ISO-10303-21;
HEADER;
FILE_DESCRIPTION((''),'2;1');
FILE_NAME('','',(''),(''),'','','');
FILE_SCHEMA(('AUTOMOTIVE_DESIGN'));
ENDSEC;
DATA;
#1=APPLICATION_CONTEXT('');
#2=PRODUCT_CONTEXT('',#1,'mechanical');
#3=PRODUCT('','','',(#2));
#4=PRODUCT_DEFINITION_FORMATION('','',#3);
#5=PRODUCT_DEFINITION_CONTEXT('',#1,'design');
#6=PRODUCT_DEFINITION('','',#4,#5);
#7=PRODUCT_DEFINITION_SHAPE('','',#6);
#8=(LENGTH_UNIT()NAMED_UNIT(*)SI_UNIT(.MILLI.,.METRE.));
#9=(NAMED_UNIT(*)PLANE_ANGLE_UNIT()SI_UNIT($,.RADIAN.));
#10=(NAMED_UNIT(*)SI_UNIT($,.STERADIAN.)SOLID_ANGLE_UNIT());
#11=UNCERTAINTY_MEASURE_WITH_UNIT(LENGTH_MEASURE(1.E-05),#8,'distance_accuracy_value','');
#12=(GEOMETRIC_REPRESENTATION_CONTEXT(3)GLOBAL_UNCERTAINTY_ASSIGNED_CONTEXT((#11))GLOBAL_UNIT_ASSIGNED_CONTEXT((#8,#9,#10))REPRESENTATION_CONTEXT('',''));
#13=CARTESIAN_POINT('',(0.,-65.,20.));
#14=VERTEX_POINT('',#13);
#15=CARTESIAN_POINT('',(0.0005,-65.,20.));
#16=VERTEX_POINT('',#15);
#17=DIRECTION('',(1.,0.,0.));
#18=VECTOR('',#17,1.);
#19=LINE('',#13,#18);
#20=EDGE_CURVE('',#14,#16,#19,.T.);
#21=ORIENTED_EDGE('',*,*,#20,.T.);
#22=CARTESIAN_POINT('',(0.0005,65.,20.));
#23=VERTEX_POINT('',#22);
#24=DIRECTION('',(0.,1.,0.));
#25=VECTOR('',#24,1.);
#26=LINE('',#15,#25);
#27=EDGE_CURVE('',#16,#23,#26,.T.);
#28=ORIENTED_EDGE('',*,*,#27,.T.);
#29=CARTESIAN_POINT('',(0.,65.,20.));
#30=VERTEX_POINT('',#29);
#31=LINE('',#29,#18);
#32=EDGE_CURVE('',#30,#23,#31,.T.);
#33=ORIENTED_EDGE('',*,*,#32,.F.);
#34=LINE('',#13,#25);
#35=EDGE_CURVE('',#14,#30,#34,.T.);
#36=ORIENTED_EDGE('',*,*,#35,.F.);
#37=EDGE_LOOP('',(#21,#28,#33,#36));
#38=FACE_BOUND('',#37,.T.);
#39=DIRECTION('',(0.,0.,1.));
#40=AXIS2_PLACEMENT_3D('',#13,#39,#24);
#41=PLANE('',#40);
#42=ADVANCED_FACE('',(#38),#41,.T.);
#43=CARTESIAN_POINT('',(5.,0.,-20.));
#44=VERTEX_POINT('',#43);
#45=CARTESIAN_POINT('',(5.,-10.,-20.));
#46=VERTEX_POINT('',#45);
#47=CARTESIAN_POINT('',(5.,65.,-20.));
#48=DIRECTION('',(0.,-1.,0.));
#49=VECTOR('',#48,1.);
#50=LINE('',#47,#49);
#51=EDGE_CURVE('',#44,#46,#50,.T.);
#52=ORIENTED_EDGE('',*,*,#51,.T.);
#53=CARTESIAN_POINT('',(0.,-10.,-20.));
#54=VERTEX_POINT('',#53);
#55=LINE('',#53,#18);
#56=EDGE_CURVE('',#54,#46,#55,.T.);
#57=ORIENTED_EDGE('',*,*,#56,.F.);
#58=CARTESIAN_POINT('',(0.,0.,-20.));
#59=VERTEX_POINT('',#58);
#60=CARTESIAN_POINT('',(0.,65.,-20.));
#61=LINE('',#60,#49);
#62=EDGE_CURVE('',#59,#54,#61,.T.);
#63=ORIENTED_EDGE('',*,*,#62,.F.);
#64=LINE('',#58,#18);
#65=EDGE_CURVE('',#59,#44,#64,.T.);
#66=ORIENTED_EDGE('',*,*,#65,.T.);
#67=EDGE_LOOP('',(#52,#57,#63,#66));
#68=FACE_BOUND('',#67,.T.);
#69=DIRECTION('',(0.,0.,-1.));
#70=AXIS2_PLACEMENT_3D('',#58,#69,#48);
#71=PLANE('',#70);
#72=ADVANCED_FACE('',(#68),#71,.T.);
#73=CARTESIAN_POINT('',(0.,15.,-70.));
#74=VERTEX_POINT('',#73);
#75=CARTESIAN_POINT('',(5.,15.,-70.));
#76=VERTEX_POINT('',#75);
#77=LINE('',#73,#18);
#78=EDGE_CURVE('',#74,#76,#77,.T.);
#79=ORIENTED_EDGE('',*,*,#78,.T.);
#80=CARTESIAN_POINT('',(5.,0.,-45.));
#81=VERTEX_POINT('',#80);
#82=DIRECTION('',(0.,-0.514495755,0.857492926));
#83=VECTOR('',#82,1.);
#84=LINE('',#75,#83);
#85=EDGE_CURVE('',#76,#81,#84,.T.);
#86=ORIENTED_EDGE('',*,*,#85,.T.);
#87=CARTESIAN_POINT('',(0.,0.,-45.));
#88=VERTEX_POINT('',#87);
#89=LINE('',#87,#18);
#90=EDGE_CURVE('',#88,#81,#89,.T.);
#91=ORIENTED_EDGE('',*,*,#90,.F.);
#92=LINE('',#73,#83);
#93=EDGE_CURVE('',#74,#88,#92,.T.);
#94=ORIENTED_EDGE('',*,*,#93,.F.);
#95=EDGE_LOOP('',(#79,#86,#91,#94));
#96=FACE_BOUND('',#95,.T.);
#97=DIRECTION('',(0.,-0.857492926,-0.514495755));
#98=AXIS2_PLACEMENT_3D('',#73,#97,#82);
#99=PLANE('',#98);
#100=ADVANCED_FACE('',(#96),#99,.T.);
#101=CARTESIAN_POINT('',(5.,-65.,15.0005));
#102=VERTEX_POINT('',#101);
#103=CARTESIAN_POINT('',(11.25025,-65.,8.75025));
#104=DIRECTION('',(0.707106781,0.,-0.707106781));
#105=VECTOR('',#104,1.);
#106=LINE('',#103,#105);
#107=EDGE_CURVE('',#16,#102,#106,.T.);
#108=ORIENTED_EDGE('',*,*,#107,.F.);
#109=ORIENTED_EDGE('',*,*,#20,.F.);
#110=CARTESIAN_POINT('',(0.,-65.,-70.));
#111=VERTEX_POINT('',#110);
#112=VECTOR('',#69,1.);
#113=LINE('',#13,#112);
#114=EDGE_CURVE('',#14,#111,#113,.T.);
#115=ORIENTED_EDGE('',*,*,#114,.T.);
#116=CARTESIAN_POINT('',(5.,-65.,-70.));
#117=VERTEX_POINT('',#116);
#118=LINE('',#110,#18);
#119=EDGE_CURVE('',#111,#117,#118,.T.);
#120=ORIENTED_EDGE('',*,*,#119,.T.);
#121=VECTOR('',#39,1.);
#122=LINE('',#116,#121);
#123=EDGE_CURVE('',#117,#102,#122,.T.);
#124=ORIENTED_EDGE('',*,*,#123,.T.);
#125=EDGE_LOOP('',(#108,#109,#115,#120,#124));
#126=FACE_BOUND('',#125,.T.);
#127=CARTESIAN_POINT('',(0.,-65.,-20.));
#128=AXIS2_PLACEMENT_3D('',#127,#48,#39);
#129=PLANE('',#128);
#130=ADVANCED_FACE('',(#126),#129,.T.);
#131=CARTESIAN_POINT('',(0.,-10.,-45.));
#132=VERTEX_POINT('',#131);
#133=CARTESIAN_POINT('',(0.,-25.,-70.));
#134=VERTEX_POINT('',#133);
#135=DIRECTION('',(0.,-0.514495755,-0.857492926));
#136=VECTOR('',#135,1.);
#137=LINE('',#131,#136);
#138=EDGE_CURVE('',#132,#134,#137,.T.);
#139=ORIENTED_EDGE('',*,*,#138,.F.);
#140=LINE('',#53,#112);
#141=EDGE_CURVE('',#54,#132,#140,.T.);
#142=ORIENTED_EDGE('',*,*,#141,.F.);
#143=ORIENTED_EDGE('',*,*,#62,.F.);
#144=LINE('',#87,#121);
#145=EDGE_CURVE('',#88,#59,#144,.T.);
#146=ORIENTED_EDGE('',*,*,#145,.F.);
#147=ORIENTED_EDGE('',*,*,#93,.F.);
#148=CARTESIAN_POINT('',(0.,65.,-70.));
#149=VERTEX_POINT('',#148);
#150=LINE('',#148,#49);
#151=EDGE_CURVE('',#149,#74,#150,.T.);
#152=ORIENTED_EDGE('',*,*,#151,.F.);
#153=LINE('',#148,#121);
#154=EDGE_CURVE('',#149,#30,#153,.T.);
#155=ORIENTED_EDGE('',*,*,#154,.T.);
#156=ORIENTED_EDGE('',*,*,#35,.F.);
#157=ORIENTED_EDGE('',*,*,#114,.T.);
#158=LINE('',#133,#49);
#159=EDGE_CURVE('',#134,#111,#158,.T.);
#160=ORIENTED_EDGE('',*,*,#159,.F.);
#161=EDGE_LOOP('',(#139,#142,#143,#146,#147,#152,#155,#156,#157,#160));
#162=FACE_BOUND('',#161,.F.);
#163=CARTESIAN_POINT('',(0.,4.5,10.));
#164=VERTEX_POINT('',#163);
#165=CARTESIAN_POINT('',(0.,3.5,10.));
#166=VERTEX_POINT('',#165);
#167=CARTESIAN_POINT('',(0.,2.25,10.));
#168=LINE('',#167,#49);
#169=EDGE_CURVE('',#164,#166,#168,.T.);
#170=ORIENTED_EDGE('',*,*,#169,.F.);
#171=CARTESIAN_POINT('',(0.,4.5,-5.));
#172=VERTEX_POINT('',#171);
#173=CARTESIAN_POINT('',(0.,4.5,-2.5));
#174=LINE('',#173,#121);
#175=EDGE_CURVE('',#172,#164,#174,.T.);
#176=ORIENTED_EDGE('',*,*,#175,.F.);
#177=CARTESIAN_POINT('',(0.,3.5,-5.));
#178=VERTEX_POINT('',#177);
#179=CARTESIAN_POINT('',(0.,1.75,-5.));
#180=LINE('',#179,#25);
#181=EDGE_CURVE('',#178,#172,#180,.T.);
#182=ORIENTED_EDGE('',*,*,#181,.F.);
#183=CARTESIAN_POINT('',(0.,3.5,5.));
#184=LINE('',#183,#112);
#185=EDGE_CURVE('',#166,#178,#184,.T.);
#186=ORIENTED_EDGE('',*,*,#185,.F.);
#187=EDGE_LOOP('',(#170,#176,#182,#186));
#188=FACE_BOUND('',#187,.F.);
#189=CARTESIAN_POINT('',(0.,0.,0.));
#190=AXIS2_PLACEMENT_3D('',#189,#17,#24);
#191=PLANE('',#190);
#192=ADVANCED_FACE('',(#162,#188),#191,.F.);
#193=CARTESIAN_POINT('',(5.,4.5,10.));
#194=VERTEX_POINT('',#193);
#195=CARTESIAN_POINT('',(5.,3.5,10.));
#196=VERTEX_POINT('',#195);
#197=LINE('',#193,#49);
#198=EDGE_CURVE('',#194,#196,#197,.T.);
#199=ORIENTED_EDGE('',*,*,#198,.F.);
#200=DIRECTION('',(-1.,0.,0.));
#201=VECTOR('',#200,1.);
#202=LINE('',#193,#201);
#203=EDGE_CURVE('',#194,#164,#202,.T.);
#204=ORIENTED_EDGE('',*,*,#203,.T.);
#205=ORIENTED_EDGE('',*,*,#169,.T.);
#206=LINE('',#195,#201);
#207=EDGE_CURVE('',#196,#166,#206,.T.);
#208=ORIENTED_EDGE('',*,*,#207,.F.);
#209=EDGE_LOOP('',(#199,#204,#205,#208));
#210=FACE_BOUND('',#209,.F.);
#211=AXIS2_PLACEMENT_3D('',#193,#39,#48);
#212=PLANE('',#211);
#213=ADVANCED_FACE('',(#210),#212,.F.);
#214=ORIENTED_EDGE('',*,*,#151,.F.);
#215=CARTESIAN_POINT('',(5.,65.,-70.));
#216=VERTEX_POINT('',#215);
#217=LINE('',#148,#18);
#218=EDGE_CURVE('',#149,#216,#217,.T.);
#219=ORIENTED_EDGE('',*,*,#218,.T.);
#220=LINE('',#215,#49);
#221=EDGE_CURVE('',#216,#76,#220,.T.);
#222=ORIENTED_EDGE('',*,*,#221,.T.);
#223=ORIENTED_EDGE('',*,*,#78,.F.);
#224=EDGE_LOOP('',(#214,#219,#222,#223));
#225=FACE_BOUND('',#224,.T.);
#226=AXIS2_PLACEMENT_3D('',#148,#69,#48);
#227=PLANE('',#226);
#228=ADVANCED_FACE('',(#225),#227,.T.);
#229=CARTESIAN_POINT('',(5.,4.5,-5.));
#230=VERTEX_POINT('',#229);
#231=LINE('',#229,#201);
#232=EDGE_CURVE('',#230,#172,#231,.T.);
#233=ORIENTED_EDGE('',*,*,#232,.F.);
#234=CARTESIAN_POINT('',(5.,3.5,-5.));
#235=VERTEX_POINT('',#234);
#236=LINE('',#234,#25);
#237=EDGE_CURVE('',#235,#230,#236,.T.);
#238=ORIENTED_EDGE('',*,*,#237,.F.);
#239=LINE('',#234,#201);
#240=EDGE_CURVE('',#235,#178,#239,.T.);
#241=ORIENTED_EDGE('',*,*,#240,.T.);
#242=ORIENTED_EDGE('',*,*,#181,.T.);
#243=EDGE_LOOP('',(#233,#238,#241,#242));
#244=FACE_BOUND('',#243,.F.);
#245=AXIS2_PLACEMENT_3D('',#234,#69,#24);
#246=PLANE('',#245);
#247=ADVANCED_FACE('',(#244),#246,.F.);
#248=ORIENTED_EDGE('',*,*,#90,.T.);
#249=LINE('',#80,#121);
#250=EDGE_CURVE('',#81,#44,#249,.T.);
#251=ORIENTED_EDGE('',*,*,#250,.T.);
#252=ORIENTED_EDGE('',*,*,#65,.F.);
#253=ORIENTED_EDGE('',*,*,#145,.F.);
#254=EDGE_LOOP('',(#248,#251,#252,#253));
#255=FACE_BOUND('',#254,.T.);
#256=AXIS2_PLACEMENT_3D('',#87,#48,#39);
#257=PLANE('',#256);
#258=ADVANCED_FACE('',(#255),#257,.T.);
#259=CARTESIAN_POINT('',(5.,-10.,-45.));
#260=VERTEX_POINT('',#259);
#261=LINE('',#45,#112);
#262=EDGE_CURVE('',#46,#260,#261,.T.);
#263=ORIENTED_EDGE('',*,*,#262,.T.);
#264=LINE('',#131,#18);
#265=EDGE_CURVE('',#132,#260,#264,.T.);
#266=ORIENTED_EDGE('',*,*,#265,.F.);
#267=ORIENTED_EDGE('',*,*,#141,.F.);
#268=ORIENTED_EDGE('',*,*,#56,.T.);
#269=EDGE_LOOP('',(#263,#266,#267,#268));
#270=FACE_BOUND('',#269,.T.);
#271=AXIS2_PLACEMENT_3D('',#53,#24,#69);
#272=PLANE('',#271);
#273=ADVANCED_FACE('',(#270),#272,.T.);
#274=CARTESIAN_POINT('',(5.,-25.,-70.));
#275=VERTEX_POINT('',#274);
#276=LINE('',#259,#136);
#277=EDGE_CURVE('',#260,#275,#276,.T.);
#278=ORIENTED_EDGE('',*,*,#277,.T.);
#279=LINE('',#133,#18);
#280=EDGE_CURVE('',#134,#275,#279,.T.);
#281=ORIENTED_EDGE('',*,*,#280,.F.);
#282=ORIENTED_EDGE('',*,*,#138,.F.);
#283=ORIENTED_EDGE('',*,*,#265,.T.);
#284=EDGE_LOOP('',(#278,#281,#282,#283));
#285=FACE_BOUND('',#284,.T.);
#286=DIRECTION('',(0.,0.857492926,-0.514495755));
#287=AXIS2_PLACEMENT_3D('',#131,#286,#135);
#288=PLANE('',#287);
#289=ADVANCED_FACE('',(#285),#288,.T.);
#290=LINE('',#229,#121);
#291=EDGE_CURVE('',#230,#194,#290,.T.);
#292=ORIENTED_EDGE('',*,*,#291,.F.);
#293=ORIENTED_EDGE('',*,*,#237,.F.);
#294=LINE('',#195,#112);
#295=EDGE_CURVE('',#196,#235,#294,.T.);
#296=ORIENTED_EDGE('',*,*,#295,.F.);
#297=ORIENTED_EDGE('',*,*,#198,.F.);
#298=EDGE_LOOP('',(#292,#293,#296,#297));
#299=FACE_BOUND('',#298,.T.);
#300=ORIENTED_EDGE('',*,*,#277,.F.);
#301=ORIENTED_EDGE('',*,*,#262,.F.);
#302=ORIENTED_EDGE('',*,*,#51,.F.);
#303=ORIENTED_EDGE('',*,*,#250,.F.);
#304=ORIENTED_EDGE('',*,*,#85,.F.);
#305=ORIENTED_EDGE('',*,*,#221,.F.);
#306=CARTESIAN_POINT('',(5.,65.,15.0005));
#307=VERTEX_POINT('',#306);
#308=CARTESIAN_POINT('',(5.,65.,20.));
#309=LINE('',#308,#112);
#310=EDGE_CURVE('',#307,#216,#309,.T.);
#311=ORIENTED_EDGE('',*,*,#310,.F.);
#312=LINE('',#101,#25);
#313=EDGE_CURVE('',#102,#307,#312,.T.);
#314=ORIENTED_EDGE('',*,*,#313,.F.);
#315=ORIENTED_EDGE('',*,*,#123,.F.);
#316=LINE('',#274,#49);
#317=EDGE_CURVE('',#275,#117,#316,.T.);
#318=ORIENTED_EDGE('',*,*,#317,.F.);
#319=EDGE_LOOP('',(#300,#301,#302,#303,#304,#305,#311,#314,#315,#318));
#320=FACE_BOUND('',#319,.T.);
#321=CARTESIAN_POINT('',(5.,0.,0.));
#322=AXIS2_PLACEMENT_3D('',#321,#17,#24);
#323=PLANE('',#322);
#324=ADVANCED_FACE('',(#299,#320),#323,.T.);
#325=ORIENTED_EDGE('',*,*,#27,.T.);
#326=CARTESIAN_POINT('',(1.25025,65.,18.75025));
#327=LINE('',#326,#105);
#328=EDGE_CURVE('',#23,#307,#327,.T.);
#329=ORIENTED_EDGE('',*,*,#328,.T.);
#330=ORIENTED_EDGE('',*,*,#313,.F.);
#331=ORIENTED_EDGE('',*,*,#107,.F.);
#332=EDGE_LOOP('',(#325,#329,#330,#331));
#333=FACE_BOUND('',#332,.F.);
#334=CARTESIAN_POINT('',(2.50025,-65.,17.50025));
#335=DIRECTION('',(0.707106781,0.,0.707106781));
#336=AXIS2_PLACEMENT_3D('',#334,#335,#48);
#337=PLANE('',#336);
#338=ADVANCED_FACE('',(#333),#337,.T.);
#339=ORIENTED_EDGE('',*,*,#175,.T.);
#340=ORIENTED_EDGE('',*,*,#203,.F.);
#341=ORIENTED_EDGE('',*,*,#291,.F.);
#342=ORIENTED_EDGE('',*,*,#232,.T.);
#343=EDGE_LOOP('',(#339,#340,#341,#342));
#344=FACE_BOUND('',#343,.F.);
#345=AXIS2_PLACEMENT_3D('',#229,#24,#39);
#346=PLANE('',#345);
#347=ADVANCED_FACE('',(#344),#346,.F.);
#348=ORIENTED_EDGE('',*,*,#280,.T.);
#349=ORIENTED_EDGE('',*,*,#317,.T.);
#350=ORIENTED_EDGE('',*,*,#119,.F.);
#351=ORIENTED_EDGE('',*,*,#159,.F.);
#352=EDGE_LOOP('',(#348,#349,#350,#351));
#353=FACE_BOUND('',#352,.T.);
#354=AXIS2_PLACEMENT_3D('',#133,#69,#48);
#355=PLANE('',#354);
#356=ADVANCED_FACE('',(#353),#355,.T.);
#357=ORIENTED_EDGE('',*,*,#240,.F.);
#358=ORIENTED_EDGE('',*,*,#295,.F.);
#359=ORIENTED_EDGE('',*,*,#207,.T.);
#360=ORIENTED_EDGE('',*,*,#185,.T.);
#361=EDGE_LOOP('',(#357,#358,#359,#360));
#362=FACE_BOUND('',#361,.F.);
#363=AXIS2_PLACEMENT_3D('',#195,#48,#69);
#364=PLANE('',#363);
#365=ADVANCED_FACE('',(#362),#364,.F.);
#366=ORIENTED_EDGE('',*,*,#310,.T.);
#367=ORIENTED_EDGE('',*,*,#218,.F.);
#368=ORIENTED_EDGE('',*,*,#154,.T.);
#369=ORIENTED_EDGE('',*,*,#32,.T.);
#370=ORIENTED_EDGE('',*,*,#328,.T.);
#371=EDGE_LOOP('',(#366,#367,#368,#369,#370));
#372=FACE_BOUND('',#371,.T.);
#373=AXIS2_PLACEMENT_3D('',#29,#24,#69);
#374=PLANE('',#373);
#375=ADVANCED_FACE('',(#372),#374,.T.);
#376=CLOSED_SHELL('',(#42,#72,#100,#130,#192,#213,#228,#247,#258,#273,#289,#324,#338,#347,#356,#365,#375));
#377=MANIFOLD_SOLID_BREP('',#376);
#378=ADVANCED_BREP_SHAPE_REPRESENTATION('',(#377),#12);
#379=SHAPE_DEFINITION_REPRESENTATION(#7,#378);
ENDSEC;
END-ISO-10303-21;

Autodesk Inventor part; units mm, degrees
ref_plane "YZ Plane" through (0, 0, 0) normal (1, 0, 0) x (0, 1, 0)
ref_plane "XZ Plane" through (0, 0, 0) normal (0, 1, 0) x (-1, 0, 0)
ref_plane "XY Plane" through (0, 0, 0) normal (0, 0, 1) x (1, 0, 0)
sketch "スケッチ1" plane through (0, 0, 0) normal (1, 0, 0) x (0, 1, 0)
  line L0 (-65, 20) -> (65, 20)
  line L1 (65, 20) -> (65, -20)
  line L2 (65, -20) -> (-65, -20)
  line L3 (-65, -20) -> (-65, 20)
  line L4 (-65, 20) -> (65, -20) construction
  line L5 (65, 20) -> (-65, -20) construction
  line L6 (65, -20) -> (65, -70)
  line L7 (65, -70) -> (15, -70)
  line L8 (15, -70) -> (0, -45)
  line L9 (-10, -45) -> (-25, -70)
  line L10 (-25, -70) -> (-65, -70)
  line L11 (-65, -70) -> (-65, -20)
  line L12 (0, -45) -> (-10, -45)
  line L13 (0, -20) -> (-10, -20)
  line L14 (-10, -20) -> (-10, -45)
  line L15 (-10, -45) -> (0, -45)
  line L16 (0, -45) -> (0, -20)
  point P0 (0, 0)
  point P1 (-5, -45)
  point P2 (0, 0)
  point P3 (0, -45)
  dimension "d0" = 130
  dimension "d1" = 40
  dimension "d18" = 50
  dimension "d19" = 50
  dimension "d22" = 5
  dimension "d24" = 25
  dimension "d25" = 10
extrude "押し出し1" add sketch "スケッチ1" along normal blind 5 contours L0 L1 L2 L3 | L2 L14 L9 L10 L11 | L6 L7 L8 L16 L2
sketch "スケッチ3" plane through (5, 0, 0) normal (1, 0, 0) x (0, 0, -1)
  line L0 (-10, 3.5) -> (5, 3.5)
  line L1 (5, 3.5) -> (5, 4.5)
  line L2 (5, 4.5) -> (-10, 4.5)
  line L3 (-10, 4.5) -> (-10, 3.5)
  line L4 (-15, 0) -> (10, 0)
  line L5 (10, 0) -> (10, 8)
  line L6 (10, 8) -> (-15, 8)
  line L7 (-15, 8) -> (-15, 0)
  line L8 (-20, 65) -> (-20, -65) projected
  point P0 (0, 0)
  point P1 (-2.5, 8)
  point P2 (-2.5, 4.5)
  point P3 (-10, 4)
  point P4 (-15, 4)
  dimension "d7" = 15
  dimension "d8" = 1
  dimension "d9" = 25
  dimension "d10" = 8
  dimension "d17" = 5
extrude "押し出し3" cut sketch "スケッチ3" against normal through all contours L3 L2 L1 L0
chamfer "面取り1" distance 5 angle 45 1 edges at (5, 0, 20)
properties part number "VertMove" material "スタイロフォームIB"
